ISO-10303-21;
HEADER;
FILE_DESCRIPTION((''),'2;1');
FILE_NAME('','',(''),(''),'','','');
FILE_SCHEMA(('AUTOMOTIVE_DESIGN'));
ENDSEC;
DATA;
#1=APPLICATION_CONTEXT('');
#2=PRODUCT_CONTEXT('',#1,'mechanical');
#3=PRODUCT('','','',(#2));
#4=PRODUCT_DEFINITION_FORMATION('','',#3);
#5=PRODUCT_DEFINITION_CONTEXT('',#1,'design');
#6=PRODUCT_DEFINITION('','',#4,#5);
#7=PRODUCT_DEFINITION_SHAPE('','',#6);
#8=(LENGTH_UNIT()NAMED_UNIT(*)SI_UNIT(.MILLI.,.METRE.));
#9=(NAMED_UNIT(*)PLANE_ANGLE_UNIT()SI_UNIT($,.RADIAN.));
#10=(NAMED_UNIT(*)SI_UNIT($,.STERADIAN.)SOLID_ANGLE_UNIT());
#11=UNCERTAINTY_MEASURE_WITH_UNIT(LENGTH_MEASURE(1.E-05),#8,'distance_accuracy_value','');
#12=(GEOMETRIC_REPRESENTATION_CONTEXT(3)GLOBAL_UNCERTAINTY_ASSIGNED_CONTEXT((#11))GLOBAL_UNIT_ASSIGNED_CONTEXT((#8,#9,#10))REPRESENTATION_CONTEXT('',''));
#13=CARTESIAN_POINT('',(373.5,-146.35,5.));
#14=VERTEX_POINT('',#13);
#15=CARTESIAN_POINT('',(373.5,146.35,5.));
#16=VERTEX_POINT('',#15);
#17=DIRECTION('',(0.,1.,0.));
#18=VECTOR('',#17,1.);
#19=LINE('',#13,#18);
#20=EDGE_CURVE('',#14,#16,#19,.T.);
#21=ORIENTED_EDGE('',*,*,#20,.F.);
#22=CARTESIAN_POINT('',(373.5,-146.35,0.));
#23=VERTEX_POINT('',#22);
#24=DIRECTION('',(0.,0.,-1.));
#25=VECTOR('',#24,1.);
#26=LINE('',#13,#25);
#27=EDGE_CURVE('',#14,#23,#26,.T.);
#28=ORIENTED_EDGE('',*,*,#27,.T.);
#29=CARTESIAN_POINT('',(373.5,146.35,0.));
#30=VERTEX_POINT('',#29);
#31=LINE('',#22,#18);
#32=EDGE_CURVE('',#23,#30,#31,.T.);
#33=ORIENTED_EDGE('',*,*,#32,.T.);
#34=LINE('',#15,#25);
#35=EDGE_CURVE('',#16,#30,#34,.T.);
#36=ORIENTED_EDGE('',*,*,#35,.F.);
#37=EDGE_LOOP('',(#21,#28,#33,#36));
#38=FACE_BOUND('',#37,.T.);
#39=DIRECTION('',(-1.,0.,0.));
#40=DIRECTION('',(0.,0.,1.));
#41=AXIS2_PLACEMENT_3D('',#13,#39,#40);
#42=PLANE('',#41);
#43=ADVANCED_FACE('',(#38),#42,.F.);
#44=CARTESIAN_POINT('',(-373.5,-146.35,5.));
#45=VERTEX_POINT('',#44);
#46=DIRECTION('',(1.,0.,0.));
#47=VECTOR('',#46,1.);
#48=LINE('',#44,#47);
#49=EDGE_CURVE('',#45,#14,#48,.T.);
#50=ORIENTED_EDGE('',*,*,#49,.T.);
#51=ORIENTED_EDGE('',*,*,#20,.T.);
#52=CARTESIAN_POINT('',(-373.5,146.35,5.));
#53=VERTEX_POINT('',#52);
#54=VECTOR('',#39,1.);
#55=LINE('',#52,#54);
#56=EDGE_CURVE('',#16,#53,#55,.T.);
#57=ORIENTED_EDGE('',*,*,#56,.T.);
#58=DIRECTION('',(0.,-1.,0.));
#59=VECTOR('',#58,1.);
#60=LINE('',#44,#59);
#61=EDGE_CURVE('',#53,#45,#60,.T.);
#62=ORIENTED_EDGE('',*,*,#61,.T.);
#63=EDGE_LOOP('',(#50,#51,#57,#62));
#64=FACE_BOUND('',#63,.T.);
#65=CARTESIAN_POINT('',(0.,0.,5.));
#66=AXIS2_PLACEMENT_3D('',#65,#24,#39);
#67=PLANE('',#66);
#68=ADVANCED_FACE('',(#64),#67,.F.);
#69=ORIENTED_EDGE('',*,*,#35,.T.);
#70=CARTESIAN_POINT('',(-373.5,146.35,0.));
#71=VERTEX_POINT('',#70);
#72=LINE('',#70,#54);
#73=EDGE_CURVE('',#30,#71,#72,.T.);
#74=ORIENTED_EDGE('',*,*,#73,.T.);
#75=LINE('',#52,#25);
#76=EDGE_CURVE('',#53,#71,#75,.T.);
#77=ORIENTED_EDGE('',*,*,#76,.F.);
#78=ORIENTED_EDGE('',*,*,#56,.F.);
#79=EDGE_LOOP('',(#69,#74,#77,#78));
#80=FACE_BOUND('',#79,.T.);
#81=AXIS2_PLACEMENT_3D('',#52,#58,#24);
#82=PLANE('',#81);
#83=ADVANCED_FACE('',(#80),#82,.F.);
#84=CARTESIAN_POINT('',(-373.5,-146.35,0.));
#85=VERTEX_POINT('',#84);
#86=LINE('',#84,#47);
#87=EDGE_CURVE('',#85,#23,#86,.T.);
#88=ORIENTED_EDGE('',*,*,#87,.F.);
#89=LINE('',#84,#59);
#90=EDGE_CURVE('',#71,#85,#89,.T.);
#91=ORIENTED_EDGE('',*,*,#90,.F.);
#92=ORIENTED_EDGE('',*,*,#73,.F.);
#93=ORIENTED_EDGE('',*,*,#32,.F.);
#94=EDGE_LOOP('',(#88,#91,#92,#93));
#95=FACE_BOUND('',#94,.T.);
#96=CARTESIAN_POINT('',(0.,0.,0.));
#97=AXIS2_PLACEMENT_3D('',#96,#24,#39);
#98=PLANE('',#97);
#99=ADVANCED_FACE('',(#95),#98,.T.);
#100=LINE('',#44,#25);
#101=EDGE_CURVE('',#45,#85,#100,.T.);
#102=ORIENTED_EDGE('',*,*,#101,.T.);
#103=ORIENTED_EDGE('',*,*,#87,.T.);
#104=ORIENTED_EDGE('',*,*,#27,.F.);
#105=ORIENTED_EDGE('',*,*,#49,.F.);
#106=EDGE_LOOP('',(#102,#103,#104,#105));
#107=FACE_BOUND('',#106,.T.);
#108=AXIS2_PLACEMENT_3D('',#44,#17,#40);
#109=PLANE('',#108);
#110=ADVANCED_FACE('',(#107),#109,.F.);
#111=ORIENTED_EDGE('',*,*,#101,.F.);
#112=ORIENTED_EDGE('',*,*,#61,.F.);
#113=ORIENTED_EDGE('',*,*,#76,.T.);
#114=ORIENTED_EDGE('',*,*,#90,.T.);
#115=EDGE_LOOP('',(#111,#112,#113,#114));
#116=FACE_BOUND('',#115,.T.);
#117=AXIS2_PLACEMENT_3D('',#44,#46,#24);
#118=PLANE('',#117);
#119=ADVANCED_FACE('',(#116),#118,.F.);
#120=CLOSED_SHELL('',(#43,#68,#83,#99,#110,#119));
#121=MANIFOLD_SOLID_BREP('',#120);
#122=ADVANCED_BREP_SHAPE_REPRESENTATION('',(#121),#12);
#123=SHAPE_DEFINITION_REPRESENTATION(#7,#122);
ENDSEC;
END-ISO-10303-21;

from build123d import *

# Parameters (mm, degrees)
ESQUISSE1_W        = 747
ESQUISSE1_H        = 292.7
BOSS_EXTRU_1_DEPTH = 5


with BuildPart() as part:
    # Esquisse1 → Boss.-Extru.1 (new body)
    with BuildSketch(Plane.XY):
        Rectangle(ESQUISSE1_W, ESQUISSE1_H)
    extrude(amount=BOSS_EXTRU_1_DEPTH)


solid = part.part
